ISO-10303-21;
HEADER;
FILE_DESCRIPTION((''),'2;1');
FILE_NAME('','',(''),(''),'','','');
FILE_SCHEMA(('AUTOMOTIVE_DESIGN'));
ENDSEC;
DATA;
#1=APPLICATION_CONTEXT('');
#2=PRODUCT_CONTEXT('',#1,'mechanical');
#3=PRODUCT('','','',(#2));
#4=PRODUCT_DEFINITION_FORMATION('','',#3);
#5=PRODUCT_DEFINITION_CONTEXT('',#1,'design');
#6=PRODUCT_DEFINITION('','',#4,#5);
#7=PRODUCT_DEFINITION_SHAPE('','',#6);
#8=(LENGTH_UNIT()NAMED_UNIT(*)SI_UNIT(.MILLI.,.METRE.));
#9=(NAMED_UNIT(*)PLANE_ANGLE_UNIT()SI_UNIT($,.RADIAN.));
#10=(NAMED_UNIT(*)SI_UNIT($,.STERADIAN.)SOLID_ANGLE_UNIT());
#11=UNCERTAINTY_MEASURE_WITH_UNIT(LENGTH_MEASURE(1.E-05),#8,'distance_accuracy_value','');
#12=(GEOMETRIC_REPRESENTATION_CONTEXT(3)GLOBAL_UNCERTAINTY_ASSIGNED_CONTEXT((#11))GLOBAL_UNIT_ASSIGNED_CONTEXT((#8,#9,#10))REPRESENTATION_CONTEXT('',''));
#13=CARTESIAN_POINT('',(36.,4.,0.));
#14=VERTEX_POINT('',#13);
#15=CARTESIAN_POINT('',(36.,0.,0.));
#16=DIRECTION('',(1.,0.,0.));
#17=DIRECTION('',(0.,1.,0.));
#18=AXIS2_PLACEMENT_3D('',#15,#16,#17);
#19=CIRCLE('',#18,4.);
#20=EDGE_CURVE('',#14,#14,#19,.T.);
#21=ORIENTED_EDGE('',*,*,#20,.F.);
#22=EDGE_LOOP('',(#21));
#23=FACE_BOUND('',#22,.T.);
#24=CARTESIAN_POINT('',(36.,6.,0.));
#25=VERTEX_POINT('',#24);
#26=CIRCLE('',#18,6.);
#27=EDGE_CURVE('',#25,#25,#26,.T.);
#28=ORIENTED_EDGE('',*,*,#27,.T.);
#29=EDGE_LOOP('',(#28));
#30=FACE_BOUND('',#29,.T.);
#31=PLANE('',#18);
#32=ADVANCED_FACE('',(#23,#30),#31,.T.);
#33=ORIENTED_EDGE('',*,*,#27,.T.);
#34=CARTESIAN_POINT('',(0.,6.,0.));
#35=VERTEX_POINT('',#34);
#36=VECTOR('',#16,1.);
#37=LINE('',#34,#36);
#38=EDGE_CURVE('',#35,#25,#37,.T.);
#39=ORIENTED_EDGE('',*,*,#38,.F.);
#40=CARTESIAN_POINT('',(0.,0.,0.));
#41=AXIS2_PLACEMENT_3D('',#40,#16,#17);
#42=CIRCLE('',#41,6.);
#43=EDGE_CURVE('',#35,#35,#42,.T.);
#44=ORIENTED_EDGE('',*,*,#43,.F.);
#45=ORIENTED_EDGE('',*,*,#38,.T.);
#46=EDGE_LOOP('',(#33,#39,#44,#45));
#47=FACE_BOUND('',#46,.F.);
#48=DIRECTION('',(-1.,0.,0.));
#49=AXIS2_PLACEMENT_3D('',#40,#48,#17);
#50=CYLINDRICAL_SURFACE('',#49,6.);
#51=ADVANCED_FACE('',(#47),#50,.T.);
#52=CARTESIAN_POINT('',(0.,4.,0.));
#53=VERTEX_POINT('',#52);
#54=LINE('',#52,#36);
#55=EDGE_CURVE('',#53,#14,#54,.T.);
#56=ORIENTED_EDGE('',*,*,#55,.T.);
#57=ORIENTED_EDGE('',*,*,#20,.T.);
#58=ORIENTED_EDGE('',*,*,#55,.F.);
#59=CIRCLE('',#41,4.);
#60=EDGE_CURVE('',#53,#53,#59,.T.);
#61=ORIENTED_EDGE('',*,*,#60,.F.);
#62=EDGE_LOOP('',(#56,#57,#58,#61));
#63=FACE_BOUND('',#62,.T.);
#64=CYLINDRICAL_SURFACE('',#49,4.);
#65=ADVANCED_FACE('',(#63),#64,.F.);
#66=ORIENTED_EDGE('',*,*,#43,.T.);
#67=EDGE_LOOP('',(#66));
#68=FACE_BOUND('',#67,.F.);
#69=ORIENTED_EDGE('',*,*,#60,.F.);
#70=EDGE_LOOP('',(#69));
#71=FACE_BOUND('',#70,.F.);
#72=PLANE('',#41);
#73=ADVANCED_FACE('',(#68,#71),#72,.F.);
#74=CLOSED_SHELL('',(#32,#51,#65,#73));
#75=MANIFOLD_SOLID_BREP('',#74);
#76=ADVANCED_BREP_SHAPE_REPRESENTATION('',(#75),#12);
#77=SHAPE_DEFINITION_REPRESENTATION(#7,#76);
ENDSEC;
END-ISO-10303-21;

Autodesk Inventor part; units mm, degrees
ref_plane "YZ Plane" through (0, 0, 0) normal (1, 0, 0) x (0, 1, 0)
ref_plane "XZ Plane" through (0, 0, 0) normal (0, 1, 0) x (-1, 0, 0)
ref_plane "XY Plane" through (0, 0, 0) normal (0, 0, 1) x (1, 0, 0)
sketch "スケッチ1" plane through (0, 0, 0) normal (1, 0, 0) x (0, 1, 0)
  circle A0 centre (0, 0) radius 6
  circle A1 centre (0, 0) radius 4
  dimension "d0" = 8
  dimension "d1" = 12
extrude "押し出し1" add sketch "スケッチ1" along normal blind 36
properties part number "Dribbler_Tube"
